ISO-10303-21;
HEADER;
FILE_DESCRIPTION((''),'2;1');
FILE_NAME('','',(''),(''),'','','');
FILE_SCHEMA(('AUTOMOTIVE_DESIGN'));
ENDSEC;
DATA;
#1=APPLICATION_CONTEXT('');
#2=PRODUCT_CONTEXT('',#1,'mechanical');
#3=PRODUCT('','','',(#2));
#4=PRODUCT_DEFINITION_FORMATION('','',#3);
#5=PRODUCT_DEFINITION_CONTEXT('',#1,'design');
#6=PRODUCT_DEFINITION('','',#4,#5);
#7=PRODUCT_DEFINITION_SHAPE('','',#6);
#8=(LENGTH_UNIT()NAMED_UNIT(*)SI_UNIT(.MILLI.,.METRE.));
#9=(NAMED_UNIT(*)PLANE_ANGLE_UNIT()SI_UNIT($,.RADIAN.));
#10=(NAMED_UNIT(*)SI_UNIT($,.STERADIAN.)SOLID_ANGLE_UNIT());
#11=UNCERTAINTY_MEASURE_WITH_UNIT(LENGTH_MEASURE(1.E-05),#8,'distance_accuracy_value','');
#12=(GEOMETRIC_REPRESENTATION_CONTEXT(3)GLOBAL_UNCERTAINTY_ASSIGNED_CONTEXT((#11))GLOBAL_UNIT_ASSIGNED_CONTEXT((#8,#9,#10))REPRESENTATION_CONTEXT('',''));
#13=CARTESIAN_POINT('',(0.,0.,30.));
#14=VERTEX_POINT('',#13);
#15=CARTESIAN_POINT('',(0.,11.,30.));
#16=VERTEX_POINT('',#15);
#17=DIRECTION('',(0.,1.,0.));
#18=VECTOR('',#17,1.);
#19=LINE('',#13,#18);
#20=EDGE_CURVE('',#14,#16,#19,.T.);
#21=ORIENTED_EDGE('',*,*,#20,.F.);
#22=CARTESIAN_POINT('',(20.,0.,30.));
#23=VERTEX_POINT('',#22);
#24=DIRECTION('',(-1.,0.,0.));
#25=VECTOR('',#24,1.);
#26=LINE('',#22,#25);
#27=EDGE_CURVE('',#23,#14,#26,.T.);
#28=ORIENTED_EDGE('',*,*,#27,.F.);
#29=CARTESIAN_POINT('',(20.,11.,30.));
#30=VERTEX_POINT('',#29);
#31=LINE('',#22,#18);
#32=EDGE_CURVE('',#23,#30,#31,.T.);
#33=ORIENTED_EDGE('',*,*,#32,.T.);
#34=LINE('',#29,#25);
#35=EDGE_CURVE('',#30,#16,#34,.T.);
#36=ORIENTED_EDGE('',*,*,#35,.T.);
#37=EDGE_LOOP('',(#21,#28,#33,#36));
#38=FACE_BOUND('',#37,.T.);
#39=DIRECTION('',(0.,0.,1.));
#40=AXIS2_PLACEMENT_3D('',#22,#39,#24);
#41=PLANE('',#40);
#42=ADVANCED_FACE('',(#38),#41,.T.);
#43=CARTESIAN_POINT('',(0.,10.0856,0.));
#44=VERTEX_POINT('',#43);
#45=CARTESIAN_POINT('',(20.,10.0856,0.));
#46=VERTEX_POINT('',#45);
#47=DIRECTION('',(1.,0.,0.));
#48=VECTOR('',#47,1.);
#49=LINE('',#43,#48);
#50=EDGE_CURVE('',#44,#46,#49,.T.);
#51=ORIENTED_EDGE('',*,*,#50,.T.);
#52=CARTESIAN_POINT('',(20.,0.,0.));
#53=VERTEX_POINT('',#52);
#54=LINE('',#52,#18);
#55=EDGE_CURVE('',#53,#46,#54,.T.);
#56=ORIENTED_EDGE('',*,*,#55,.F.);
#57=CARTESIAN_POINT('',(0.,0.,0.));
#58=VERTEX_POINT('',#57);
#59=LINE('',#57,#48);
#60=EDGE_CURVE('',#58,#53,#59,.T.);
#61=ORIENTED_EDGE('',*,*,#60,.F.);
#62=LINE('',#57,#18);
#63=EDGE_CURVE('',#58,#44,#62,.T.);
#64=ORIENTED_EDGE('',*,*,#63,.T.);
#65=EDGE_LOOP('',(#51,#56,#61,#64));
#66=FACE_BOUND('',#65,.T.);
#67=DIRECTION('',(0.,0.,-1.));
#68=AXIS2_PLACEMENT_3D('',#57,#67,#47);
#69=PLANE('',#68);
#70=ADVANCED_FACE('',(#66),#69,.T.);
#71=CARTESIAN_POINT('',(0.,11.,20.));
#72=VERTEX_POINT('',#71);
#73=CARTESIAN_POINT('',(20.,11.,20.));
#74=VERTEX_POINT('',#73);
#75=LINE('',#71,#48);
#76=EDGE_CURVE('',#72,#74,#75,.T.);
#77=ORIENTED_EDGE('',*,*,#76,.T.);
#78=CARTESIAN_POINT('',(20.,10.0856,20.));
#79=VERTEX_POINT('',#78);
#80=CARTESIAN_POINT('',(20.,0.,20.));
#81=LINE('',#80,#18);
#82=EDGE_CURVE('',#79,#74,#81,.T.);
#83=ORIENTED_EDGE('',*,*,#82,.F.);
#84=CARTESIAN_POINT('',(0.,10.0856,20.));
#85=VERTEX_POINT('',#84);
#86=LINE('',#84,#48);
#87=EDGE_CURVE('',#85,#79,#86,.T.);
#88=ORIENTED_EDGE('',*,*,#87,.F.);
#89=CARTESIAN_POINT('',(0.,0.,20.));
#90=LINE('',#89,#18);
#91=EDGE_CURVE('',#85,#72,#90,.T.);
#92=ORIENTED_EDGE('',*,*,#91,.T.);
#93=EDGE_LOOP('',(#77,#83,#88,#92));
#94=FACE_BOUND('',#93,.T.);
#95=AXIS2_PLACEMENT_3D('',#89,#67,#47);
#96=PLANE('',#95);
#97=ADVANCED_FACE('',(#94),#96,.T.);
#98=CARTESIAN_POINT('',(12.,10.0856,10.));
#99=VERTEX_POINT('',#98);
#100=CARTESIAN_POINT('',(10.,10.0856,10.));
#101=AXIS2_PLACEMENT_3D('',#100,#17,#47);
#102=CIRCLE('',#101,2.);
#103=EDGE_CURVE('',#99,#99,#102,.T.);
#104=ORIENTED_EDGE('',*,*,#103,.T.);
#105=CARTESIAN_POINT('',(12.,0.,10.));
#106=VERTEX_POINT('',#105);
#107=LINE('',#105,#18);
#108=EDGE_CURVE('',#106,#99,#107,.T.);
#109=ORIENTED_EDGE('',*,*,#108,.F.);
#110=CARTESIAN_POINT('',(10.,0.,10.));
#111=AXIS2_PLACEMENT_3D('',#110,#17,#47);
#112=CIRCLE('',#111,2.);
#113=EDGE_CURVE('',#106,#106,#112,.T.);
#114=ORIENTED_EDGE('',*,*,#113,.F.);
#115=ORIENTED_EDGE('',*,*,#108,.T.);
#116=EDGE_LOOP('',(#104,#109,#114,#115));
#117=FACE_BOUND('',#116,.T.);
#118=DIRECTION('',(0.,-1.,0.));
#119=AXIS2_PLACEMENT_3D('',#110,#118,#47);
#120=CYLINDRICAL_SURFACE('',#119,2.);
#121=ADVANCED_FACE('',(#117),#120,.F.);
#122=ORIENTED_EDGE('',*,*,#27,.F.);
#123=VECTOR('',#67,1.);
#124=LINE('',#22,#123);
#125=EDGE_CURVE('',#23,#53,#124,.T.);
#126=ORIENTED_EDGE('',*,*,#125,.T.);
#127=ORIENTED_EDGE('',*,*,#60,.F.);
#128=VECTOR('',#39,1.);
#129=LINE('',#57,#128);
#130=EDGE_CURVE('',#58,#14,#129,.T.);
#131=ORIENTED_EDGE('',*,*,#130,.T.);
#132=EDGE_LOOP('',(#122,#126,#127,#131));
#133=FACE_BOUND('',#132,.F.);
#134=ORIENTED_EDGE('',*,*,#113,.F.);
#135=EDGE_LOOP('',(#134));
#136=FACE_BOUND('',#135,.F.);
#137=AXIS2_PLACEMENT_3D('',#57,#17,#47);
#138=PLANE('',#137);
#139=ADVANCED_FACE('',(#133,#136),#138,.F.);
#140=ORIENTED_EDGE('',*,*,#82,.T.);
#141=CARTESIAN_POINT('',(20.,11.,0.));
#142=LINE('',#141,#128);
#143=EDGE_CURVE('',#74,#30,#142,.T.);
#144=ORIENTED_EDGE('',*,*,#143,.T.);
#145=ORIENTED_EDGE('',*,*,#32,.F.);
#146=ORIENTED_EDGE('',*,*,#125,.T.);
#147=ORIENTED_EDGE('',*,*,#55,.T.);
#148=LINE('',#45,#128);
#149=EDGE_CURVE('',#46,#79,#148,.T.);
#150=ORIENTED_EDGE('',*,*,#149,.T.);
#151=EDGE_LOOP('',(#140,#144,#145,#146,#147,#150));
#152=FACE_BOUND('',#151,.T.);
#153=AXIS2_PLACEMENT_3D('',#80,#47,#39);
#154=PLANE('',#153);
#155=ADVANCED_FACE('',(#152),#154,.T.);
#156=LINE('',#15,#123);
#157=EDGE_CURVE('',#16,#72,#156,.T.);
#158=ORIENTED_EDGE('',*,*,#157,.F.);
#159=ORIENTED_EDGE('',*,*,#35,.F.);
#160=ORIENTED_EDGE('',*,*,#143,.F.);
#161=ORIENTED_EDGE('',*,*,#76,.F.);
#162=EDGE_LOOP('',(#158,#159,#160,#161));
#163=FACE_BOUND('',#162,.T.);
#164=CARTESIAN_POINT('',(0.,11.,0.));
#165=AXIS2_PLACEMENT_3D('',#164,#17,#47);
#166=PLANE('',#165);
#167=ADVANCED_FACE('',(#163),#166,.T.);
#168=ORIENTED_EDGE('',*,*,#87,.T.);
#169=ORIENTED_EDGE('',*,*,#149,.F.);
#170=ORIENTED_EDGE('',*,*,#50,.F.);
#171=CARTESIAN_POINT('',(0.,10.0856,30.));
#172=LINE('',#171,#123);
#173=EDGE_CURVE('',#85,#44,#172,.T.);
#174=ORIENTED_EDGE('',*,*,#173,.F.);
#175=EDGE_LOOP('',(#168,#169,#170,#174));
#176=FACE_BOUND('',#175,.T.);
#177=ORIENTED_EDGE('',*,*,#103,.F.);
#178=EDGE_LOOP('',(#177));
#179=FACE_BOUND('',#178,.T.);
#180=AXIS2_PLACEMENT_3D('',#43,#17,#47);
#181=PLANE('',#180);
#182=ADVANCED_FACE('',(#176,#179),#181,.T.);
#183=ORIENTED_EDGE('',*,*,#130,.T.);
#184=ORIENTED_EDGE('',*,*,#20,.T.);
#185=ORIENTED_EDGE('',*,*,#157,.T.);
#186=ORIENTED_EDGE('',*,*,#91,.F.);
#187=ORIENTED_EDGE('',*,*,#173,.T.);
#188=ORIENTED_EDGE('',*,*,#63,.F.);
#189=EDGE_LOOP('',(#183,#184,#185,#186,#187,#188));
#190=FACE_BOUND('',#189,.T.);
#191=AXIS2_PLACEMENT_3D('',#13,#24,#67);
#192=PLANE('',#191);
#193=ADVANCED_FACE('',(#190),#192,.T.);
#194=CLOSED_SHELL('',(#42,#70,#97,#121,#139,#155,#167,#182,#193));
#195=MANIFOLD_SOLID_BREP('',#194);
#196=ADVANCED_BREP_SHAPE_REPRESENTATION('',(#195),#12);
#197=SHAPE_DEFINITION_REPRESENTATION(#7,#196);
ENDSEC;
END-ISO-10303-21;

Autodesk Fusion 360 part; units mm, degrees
sketch "Sketch1" plane through (0, 0, 0) normal (0, 1, 0) x (1, 0, 0)
  line L0 (0, 0) -> (20, 0)
  line L1 (20, 0) -> (20, -30)
  line L2 (20, -30) -> (0, -30)
  line L3 (0, -30) -> (0, 0)
  line L4 (0, -20) -> (20, -20)
  line L5 (0, -10) -> (20, -10) construction
  circle A0 centre (10, -10) radius 2
  dimension "d1" = 20
  dimension "d2" = 30
  dimension "d3" = 10
  dimension "d4" = 10
  dimension "d5" = 4
extrude "Extrude1" add sketch "Sketch1" along normal blind 11 contours L1 L2 L3 L4
extrude "Extrude2" add sketch "Sketch1" along normal blind 10.0856 contours L0 L1 L3 L4
equation "d8 = 11 mm - 0.036 in"
